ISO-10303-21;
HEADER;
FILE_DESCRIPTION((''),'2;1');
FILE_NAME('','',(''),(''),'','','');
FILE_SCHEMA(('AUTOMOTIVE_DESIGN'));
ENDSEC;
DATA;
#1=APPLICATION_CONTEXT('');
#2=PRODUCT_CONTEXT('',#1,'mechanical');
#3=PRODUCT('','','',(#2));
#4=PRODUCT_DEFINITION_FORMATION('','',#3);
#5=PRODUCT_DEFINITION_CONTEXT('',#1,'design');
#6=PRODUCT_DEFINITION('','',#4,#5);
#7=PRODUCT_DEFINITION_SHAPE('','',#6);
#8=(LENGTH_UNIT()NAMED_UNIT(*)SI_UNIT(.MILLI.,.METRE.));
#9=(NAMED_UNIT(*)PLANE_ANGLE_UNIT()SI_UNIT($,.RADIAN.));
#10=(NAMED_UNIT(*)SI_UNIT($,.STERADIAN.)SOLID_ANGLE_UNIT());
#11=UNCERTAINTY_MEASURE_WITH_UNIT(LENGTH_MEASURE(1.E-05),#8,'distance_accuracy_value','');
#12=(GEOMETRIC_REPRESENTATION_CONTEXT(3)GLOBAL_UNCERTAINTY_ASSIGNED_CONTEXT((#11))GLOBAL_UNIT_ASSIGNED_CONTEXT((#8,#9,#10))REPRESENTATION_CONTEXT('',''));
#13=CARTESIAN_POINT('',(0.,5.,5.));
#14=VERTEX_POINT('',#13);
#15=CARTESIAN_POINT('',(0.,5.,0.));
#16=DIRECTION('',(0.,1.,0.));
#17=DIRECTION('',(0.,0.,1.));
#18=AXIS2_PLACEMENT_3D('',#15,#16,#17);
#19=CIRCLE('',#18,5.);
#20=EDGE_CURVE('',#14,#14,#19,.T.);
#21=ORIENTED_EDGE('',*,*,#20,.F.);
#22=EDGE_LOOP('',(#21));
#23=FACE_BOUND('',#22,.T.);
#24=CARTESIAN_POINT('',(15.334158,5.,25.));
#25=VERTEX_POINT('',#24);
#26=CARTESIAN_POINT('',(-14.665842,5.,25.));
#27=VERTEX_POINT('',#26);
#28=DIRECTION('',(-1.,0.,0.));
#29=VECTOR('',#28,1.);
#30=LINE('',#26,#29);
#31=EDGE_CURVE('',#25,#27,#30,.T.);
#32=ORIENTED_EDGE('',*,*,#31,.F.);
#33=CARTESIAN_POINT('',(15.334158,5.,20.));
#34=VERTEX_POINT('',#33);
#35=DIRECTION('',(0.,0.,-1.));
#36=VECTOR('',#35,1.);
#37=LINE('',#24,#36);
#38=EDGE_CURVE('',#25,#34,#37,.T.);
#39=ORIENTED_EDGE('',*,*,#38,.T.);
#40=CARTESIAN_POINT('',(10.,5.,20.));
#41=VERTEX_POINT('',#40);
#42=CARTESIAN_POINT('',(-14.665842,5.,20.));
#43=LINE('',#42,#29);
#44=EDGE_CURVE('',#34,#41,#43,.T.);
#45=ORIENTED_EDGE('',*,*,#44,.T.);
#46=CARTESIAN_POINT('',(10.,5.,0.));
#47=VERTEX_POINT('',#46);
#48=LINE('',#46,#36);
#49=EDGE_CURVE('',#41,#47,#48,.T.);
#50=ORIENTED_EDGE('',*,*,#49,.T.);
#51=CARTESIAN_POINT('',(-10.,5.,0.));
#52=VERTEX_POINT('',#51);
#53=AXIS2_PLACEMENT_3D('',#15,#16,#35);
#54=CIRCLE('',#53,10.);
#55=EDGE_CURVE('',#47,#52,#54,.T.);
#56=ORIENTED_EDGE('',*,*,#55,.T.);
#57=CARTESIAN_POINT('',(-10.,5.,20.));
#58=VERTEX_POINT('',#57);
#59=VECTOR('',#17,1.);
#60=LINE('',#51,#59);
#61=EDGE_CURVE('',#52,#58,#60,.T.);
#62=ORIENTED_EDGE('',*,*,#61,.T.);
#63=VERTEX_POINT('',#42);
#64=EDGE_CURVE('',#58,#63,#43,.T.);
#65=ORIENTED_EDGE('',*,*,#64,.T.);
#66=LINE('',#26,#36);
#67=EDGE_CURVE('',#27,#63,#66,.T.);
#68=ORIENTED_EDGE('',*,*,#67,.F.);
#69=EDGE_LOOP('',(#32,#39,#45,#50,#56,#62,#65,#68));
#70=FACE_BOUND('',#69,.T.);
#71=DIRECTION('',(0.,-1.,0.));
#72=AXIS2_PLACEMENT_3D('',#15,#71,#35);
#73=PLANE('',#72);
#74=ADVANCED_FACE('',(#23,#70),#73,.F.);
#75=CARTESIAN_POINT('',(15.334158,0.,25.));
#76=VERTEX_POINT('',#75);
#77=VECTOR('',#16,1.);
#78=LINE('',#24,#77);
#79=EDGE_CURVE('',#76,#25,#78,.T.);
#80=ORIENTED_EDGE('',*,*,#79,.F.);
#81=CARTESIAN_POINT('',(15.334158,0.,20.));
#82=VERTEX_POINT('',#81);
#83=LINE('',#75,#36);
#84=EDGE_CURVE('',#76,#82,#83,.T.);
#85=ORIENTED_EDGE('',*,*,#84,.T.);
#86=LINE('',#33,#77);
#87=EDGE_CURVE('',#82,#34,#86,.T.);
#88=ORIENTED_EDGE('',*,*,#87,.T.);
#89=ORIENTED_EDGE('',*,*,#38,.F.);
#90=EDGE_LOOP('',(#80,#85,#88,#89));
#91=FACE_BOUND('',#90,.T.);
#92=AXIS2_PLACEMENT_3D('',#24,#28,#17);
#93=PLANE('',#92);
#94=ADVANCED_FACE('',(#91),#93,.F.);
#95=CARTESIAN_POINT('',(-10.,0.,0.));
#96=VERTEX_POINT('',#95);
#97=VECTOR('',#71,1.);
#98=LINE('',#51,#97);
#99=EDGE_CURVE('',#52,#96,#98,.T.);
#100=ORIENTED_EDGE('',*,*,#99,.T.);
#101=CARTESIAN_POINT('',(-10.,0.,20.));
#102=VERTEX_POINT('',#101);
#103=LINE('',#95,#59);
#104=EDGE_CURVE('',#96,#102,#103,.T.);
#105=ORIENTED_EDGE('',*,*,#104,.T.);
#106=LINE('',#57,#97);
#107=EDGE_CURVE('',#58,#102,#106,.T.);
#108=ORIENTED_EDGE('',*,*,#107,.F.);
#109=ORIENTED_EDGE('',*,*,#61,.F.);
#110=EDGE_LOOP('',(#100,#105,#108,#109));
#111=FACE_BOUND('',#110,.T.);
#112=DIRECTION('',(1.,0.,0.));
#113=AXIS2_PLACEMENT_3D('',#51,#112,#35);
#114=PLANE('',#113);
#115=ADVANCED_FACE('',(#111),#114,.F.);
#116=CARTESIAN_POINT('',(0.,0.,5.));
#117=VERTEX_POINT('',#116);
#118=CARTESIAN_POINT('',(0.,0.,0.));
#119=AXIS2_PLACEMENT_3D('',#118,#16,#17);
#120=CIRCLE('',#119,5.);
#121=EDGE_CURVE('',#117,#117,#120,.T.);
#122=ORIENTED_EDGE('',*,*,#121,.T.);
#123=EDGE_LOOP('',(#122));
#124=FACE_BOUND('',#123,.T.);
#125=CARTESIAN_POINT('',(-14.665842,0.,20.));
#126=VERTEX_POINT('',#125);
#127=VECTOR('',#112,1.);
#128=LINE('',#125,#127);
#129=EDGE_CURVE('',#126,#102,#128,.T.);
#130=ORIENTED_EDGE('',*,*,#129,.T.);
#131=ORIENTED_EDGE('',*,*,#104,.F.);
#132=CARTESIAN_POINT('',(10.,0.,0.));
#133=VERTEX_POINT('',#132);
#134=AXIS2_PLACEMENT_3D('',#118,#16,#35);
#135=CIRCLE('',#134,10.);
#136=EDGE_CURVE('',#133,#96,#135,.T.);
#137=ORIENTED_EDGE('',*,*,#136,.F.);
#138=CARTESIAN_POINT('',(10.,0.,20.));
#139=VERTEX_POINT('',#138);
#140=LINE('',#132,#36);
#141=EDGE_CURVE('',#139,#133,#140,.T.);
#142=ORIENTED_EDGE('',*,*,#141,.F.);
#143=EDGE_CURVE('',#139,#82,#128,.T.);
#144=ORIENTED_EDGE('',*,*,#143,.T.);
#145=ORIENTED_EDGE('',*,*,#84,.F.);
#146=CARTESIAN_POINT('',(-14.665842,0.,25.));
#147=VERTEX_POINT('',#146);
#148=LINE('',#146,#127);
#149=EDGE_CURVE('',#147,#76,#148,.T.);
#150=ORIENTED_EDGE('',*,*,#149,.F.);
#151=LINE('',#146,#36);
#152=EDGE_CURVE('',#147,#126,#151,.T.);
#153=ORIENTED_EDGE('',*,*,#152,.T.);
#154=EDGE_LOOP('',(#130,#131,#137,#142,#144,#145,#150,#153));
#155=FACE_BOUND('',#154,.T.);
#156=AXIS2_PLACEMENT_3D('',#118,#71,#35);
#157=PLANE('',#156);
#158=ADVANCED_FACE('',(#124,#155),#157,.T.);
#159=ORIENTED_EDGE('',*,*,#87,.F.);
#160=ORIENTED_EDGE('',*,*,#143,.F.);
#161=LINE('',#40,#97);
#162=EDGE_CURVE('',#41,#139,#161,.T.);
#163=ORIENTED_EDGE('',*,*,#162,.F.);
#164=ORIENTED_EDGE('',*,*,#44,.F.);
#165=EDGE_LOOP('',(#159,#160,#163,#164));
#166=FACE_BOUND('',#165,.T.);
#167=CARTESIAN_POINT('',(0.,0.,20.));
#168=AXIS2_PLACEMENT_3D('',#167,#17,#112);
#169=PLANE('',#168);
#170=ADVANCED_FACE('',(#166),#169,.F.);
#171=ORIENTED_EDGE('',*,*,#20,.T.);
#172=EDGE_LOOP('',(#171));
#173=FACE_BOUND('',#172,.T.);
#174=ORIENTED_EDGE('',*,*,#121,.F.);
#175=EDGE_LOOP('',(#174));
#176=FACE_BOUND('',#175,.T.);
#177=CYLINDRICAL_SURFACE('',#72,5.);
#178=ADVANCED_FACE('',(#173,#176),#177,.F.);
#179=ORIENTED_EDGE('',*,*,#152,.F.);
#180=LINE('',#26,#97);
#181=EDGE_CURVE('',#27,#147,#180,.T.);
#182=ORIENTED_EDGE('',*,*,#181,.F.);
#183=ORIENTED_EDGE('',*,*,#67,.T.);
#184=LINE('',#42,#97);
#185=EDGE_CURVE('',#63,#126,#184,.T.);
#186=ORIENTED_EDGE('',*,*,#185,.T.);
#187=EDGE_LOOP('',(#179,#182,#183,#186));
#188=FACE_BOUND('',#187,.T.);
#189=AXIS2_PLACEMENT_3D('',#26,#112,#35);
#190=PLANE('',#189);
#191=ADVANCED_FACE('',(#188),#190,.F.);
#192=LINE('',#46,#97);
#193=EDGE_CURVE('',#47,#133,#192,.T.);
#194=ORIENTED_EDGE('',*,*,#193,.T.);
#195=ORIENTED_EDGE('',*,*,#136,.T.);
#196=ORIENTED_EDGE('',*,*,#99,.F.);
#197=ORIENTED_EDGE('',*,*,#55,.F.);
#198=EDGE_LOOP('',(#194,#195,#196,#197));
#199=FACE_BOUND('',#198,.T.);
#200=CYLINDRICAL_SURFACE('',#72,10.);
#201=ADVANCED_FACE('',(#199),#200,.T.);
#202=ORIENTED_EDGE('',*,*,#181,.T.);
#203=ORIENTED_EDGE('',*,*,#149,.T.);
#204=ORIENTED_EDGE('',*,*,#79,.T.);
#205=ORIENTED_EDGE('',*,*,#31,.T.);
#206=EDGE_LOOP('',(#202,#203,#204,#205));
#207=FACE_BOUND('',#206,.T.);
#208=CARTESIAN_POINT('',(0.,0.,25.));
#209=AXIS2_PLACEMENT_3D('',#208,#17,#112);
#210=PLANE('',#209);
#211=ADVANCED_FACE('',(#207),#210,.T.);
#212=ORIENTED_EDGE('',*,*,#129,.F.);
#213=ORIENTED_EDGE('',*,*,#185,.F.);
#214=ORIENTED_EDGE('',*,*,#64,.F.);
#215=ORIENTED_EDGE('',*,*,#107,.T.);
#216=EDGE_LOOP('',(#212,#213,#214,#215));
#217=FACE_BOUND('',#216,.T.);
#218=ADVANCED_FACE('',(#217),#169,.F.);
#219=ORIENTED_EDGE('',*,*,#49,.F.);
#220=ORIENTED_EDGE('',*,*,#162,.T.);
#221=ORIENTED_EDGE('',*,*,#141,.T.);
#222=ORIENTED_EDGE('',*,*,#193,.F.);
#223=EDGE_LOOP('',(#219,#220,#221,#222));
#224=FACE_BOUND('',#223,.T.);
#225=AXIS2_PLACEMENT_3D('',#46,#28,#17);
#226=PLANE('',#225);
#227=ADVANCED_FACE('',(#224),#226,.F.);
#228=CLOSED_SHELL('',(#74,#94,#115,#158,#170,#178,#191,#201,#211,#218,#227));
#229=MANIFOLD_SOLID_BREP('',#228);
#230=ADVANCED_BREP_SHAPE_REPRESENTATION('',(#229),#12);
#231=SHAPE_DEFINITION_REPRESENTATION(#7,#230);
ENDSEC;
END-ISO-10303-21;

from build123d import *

# Parameters (mm, degrees)
SKETCH2_R           = 5
BOSS_EXTRUDE1_DEPTH = 5
SKETCH3_W           = 30
SKETCH3_H           = 5
BOSS_EXTRUDE2_DEPTH = 5


with BuildPart() as part:
    # Sketch2 → Boss-Extrude1 (new body)
    with BuildSketch(Plane(origin=(0, 0, 0), x_dir=(1, 0, 0), z_dir=(0, 1, 0))):
        with BuildLine():
            Line((-10, 0), (-10, -20))
            Line((-10, -20), (10, -20))
            Line((10, -20), (10, 0))
            ThreePointArc((10, 0), (0, 10), (-10, 0))
        make_face()
        with Locations(Location((0, 0, 0), (0, 0, 270))):
            Circle(SKETCH2_R, mode=Mode.SUBTRACT)
    extrude(amount=BOSS_EXTRUDE1_DEPTH)

    # Sketch3 → Boss-Extrude2 (add)
    with BuildSketch(Plane.XY.offset(20)):
        with Locations((0.334158143, 2.5)):
            Rectangle(SKETCH3_W, SKETCH3_H)
    extrude(amount=BOSS_EXTRUDE2_DEPTH)


solid = part.part
